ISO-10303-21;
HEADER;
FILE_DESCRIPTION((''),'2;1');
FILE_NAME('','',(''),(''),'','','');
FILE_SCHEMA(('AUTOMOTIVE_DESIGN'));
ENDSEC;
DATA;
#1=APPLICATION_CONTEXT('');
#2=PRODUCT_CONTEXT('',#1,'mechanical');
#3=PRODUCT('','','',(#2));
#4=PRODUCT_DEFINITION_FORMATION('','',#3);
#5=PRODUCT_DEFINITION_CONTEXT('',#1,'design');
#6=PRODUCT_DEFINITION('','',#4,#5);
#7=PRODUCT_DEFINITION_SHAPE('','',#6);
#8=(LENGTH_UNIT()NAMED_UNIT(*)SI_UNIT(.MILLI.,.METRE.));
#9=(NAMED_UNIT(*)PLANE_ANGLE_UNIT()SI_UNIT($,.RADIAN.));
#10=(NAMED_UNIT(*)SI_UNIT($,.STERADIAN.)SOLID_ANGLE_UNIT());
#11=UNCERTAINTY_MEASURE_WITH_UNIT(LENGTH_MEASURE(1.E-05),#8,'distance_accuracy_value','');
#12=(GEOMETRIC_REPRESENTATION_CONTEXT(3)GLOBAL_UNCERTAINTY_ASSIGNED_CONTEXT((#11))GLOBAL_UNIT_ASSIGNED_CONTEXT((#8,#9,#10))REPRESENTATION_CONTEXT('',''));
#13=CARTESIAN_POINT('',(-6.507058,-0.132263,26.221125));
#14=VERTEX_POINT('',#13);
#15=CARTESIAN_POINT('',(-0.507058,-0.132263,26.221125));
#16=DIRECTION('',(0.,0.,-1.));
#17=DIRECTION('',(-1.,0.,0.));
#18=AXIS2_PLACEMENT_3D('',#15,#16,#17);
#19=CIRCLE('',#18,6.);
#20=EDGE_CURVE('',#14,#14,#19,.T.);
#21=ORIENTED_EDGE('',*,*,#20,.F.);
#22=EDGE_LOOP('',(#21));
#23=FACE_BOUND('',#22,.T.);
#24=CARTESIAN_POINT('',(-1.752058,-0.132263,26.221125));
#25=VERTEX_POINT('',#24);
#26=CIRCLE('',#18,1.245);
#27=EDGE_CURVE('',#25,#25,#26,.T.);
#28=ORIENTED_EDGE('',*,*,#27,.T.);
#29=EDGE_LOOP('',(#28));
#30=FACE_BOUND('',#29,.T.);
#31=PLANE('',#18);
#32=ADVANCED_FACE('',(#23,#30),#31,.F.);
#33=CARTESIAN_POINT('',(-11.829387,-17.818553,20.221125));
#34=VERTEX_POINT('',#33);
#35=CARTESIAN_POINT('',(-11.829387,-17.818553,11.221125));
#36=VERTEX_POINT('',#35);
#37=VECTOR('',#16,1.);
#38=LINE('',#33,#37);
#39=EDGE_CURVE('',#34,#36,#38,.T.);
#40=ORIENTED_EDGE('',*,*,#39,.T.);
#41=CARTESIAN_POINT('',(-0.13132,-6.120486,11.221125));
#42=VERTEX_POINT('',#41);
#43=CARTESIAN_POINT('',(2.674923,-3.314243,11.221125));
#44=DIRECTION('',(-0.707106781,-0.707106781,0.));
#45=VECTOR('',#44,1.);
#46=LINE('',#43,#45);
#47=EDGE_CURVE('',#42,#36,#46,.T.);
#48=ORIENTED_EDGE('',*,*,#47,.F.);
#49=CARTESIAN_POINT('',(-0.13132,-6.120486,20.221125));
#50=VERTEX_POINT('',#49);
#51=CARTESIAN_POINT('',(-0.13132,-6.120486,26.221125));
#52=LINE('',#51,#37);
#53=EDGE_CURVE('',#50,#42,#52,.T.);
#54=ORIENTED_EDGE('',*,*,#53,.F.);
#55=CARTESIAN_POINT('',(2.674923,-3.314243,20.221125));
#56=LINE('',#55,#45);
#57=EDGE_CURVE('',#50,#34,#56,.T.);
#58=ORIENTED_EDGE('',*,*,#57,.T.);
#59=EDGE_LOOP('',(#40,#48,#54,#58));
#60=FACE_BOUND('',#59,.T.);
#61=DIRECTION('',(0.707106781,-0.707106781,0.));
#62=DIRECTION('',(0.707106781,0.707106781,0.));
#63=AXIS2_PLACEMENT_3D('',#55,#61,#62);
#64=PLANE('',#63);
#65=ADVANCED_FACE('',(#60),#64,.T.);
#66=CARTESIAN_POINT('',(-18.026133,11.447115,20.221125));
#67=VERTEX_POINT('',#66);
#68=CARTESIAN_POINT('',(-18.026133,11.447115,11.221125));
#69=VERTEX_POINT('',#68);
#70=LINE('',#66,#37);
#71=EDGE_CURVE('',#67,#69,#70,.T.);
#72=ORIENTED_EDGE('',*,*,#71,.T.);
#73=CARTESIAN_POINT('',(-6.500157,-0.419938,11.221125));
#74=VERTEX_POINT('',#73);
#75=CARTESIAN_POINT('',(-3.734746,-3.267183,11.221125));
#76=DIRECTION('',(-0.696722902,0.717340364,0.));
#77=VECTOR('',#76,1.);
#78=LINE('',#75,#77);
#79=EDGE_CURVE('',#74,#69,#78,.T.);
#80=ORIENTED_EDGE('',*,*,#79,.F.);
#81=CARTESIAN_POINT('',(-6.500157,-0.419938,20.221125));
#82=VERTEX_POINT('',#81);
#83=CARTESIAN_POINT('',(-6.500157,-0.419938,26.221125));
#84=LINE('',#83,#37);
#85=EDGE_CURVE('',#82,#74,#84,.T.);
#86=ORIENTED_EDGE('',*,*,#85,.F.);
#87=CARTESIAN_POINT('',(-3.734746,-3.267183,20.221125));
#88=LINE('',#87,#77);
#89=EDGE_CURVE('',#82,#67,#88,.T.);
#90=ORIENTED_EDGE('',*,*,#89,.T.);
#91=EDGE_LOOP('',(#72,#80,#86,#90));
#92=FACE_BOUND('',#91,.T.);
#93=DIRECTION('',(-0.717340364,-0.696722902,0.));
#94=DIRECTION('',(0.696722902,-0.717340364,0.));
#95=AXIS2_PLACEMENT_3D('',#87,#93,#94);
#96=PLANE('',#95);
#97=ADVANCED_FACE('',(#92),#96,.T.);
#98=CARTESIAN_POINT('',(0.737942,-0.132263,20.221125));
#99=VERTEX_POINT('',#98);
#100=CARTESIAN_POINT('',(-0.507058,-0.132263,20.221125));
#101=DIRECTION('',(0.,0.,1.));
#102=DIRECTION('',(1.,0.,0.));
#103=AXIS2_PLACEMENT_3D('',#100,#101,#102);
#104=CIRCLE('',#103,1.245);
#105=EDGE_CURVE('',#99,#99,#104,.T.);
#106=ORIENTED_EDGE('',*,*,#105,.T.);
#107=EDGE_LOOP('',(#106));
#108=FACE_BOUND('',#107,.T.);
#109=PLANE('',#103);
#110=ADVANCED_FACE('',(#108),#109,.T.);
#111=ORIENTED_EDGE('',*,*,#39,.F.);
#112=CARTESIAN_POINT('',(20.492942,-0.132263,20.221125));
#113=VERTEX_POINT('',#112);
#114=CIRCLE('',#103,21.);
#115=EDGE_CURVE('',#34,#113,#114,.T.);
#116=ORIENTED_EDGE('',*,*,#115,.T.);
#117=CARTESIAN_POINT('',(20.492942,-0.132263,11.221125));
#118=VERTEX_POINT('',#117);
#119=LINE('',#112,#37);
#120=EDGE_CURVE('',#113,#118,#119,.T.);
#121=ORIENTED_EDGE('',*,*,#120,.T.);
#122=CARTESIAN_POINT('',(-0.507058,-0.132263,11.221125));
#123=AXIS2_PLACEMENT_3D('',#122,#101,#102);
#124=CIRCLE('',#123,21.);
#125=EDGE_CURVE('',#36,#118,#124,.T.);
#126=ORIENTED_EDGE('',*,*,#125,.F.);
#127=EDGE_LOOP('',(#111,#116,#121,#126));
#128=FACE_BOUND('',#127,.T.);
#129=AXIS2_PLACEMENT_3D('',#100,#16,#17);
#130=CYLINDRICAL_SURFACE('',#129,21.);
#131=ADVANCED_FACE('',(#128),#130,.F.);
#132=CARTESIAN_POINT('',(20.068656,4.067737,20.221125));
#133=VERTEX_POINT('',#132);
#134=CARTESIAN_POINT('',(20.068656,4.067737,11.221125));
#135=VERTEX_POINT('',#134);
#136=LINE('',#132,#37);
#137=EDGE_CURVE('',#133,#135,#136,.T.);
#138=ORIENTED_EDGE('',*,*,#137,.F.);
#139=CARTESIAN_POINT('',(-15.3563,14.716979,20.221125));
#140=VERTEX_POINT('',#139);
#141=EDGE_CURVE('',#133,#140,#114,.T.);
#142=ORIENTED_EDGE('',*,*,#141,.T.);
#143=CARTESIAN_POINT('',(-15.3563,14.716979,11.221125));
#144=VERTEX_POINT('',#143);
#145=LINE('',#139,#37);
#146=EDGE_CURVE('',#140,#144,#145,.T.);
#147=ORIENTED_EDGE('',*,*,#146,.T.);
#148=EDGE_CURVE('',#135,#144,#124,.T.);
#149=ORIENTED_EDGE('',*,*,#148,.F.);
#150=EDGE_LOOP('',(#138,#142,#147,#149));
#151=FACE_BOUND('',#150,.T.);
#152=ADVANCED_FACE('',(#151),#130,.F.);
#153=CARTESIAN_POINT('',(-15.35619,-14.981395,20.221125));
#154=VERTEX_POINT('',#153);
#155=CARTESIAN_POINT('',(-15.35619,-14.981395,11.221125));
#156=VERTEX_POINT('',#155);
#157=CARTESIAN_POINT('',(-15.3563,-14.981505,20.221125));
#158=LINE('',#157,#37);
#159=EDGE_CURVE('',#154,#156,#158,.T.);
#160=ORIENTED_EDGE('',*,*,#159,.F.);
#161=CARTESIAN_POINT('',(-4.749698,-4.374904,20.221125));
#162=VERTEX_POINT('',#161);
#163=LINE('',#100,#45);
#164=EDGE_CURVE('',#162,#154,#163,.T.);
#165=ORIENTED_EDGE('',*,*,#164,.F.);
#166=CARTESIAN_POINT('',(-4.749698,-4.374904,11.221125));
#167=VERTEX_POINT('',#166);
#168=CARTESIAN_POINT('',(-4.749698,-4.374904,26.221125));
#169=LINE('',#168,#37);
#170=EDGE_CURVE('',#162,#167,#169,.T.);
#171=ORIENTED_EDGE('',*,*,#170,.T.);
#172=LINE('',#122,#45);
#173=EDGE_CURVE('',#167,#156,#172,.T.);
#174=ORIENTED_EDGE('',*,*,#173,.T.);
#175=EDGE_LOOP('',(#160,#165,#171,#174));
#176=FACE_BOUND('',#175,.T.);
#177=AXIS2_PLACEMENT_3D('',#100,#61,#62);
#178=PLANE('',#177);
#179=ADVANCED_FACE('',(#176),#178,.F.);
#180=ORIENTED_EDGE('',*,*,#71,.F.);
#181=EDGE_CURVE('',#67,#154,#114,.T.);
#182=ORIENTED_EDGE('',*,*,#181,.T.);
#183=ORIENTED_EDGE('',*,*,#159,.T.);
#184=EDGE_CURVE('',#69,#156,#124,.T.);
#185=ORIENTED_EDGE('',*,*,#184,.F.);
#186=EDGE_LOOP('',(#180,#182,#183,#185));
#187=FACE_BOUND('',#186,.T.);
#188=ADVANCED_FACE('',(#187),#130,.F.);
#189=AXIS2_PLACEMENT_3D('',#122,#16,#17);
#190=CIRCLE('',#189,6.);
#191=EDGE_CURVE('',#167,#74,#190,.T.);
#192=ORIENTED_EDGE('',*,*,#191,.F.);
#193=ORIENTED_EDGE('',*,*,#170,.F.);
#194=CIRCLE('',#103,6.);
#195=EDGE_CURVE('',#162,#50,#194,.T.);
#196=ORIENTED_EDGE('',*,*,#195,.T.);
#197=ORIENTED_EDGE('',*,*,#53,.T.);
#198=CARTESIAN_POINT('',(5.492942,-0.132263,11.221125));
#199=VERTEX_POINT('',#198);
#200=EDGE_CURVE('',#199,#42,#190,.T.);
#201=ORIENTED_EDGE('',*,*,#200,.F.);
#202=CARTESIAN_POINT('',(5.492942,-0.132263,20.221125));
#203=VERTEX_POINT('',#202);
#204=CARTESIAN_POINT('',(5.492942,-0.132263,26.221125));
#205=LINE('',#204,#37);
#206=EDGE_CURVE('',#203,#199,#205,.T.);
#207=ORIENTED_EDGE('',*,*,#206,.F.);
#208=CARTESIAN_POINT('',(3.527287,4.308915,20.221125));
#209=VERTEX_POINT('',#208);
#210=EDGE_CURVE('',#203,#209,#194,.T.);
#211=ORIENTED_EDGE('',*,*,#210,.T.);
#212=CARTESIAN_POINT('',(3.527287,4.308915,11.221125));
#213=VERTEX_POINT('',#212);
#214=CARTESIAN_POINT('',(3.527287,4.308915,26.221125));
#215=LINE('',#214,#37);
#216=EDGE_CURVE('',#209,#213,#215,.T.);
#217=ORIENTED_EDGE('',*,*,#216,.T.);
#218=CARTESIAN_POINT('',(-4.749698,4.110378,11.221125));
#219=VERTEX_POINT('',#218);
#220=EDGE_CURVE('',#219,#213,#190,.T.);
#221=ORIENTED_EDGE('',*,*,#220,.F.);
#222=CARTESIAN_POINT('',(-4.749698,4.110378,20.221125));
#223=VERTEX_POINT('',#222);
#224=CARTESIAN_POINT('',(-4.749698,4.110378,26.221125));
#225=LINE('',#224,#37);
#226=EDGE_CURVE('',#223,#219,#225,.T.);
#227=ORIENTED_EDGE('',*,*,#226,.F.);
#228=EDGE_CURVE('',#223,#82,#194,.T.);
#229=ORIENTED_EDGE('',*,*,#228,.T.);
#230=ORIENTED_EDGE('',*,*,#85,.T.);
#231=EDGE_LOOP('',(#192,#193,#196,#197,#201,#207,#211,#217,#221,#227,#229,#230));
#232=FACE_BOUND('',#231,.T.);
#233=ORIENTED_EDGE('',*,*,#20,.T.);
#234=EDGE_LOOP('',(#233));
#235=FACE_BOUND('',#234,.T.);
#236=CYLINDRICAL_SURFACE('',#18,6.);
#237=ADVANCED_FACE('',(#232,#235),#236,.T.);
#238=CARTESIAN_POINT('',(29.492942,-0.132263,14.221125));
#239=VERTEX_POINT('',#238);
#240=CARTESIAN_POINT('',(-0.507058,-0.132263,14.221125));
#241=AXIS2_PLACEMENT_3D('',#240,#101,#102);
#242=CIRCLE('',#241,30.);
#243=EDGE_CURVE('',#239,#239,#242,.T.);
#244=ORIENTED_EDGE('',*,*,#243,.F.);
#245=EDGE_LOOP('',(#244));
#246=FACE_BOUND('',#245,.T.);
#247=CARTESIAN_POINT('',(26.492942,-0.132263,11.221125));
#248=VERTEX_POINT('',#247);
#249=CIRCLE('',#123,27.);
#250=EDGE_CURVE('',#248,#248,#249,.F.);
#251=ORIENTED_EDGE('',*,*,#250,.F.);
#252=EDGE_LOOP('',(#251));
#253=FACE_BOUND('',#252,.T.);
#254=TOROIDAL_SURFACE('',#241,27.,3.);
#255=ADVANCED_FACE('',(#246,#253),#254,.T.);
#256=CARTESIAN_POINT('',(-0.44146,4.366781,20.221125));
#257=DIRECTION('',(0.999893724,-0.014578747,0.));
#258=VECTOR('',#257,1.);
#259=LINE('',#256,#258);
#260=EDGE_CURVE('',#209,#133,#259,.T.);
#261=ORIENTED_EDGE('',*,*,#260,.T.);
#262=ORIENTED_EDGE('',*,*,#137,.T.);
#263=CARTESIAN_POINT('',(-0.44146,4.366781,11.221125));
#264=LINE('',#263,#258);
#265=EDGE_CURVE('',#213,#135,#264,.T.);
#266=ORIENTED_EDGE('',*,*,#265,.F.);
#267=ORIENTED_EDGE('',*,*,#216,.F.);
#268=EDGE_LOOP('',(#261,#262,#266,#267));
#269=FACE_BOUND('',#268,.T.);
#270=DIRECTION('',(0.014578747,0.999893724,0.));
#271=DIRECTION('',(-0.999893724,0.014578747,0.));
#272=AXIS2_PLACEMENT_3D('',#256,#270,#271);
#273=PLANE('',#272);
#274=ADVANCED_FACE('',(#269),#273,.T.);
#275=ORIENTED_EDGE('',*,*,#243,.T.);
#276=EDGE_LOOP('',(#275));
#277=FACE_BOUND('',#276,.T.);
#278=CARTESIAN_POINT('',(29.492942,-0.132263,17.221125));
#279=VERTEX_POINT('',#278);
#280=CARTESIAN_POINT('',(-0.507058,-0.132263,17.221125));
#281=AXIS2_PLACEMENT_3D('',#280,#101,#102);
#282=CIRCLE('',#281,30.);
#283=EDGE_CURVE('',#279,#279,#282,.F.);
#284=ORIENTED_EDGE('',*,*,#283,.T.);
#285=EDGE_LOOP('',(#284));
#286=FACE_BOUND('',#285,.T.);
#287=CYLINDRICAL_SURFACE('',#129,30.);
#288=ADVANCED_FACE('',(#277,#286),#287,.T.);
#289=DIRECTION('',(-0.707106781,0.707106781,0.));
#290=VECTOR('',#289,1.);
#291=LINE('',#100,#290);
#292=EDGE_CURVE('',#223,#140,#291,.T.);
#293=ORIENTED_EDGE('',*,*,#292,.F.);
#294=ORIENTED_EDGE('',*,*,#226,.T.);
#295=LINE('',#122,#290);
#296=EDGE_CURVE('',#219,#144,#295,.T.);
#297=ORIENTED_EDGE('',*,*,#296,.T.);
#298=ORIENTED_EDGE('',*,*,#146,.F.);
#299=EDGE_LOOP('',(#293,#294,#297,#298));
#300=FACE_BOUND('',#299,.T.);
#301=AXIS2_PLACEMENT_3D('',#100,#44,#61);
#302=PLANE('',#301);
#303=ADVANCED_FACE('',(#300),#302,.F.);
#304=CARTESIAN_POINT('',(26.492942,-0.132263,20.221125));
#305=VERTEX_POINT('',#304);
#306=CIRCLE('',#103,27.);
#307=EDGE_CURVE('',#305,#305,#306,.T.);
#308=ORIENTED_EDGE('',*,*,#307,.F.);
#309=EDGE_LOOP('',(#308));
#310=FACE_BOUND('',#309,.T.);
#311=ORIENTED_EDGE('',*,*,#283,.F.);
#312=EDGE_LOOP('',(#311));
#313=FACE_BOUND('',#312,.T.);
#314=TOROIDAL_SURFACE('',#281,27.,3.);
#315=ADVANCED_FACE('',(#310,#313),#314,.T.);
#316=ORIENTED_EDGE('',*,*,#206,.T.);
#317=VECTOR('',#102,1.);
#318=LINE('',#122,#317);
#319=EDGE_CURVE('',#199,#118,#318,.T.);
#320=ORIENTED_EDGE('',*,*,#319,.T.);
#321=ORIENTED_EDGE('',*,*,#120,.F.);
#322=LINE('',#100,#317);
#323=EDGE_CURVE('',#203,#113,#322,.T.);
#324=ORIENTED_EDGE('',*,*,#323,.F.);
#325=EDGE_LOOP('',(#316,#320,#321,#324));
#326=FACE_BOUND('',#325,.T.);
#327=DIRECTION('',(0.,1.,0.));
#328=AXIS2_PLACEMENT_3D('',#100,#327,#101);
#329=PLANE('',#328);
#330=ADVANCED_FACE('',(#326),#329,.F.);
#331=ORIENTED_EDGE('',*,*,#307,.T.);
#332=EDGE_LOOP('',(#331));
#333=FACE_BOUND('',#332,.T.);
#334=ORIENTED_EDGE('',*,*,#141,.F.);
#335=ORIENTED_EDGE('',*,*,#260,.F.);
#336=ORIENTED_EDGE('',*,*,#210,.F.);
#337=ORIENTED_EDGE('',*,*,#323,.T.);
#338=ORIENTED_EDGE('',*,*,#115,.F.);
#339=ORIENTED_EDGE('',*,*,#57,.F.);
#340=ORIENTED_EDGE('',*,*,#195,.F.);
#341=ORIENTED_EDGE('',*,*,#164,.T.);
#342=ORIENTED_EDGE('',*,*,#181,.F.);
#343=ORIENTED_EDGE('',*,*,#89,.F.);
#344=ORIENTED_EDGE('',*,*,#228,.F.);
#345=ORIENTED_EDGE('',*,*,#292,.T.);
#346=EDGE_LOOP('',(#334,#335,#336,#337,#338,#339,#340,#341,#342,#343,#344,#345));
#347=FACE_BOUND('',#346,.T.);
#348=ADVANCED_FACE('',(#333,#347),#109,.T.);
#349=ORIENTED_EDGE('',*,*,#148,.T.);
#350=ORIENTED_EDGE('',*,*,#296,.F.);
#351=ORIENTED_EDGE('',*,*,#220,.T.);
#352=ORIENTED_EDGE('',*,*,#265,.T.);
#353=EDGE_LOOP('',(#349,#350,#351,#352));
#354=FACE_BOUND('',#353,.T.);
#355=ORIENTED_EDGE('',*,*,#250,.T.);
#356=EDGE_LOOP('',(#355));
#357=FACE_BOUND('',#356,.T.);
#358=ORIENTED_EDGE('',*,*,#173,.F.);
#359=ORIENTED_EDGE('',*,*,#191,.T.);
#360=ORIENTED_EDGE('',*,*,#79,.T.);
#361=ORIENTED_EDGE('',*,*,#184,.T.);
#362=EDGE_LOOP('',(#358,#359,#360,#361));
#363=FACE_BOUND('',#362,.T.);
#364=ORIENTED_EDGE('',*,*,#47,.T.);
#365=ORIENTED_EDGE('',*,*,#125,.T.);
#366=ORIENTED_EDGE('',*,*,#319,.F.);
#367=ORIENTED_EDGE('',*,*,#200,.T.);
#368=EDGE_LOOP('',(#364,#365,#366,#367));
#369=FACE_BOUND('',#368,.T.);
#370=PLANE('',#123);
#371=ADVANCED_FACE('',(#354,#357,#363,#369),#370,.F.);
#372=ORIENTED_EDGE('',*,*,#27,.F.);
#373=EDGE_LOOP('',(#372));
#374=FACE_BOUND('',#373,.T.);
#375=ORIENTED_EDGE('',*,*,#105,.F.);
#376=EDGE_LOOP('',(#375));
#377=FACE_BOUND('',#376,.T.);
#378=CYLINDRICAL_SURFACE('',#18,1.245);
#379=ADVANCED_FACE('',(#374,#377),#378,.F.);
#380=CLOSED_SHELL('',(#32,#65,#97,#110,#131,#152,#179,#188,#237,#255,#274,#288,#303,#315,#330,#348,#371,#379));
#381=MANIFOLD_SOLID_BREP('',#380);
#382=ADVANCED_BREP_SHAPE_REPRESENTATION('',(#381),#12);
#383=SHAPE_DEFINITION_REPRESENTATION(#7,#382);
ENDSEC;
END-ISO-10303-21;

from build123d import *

# Parameters (mm, degrees)
SKETCH1_R           = 100
BOSS_EXTRUDE1_DEPTH = 30
FILLET2_R           = 10
SKETCH2_R           = 20
SKETCH2_R_2         = 4.15
BOSS_EXTRUDE2_DEPTH = 50
SCALE1_SCALE        = 0.05
SCALE2_SCALE        = 6


with BuildPart() as part:
    # Sketch1 → Boss-Extrude1 (new body)
    with BuildSketch(Plane.XY):
        Circle(SKETCH1_R)
        with BuildLine():
            Line((-10.606601718, -10.606601718), (-49.497474683, -49.497474683))
            ThreePointArc((-49.497474683, -49.497474683), (-69.64553071, -7.03562734), (-58.396917549, 38.597927675))
            Line((-58.396917549, 38.597927675), (-10.606601718, -10.606601718))
        make_face(mode=Mode.SUBTRACT)
        with BuildLine():
            ThreePointArc((10.606601718, -10.606601718), (13.858192988, -5.740251485), (15, 0))
            Line((15, 0), (70, 0))
            ThreePointArc((70, 0), (33.601511791, -61.407966954), (-37.741097297, -58.954300732))
            Line((-37.741097297, -58.954300732), (10.606601718, -10.606601718))
        make_face(mode=Mode.SUBTRACT)
        with BuildLine():
            ThreePointArc((0, 15), (-5.740251485, 13.858192988), (-10.606601718, 10.606601718))
            Line((-10.606601718, 10.606601718), (-49.497474683, 49.497474683))
            ThreePointArc((-49.497474683, 49.497474683), (20.152118643, 67.036498374), (68.585712798, 14))
            Line((68.585712798, 14), (0, 15))
        make_face(mode=Mode.SUBTRACT)
    extrude(amount=BOSS_EXTRUDE1_DEPTH)

    # Fillet2
    fillet2_edges = [part.edges().sort_by_distance(p)[0] for p in [
        (-100, 0, 0),
        (-100, 0, 30),
    ]]
    fillet(fillet2_edges, radius=FILLET2_R)

    # Sketch2 → Boss-Extrude2 (add)
    with BuildSketch(Plane(origin=(0, 0, 0), x_dir=(-1, 0, 0), z_dir=(0, 0, -1))):
        Circle(SKETCH2_R)
        Circle(SKETCH2_R_2, mode=Mode.SUBTRACT)
    extrude(amount=-BOSS_EXTRUDE2_DEPTH)


with BuildPart() as part_1:
    # Scale1: scaled about (-0.724367868, -0.188947022, 16.030178363)
    add(part.part.scale(SCALE1_SCALE).moved(Location((-0.688149475, -0.179499671, 15.228669445))))


with BuildPart() as part_2:
    # Scale2: scaled about (-0.724367868, -0.188947022, 16.030178363)
    add(part_1.part.scale(SCALE2_SCALE).moved(Location((3.62183934, 0.94473511, -80.150891815))))


solid = part_2.part
